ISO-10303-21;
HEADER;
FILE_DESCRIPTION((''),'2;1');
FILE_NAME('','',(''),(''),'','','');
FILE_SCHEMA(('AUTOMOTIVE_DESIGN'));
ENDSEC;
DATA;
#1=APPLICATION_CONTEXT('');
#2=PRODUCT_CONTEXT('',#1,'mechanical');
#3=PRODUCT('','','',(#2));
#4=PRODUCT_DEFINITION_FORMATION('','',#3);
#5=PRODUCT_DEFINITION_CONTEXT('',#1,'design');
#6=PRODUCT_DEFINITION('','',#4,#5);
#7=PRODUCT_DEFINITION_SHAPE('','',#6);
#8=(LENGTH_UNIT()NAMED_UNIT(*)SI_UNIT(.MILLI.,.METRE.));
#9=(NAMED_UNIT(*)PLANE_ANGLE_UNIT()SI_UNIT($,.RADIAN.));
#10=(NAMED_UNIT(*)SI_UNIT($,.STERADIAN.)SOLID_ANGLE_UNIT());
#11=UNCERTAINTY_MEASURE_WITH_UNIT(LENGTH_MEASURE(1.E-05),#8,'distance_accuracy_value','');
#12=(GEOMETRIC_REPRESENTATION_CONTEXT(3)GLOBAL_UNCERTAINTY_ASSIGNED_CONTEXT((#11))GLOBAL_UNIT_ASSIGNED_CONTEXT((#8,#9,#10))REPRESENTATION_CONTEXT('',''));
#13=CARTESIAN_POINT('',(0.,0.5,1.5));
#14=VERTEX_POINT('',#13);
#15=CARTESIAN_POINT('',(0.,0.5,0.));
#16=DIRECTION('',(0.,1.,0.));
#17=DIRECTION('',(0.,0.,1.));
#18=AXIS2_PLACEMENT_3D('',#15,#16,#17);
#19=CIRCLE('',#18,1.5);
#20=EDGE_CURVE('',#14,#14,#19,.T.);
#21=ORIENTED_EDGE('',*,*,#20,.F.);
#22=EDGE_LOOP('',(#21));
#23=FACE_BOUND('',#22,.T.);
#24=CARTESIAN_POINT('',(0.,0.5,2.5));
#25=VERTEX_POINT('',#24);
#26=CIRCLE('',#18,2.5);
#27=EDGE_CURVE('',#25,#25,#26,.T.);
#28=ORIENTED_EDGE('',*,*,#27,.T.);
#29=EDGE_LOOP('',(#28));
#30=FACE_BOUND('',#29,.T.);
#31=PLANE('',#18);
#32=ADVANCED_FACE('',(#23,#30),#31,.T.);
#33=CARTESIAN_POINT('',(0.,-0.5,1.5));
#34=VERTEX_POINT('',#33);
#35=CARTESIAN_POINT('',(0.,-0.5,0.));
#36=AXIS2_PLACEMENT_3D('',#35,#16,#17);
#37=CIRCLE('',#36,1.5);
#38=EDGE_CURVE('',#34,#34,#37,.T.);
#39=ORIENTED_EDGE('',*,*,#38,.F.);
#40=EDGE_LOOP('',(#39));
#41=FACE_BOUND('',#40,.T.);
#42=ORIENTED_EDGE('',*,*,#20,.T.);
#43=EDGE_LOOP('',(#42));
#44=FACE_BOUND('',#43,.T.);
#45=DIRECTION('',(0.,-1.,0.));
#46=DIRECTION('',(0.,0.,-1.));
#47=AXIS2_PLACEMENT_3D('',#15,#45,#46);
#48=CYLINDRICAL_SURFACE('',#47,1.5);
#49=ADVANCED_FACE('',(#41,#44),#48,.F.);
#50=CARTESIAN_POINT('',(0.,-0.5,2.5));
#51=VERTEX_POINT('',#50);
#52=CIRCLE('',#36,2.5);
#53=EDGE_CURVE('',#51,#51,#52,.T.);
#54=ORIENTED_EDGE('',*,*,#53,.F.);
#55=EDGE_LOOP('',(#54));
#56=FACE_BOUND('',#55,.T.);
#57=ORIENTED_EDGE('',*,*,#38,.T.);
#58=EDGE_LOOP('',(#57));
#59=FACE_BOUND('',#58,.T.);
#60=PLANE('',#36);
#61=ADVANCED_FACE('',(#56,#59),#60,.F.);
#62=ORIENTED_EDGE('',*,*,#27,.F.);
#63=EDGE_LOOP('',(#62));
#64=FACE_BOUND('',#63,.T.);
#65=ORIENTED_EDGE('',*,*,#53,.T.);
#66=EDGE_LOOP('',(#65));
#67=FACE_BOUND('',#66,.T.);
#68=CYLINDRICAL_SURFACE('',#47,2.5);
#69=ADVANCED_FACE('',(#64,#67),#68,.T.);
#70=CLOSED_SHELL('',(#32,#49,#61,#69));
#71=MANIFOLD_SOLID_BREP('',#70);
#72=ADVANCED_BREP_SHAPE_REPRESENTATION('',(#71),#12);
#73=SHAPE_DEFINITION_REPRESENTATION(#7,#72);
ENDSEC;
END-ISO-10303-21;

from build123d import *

# Parameters (mm, degrees)
SKETCH1_R           = 2.5
SKETCH1_R_2         = 1.5
BOSS_EXTRUDE1_DEPTH = 0.5


with BuildPart() as part:
    # Sketch1 → Boss-Extrude1 (new body, symmetric)
    with BuildSketch(Plane(origin=(0, 0, 0), x_dir=(1, 0, 0), z_dir=(0, 1, 0))):
        Circle(SKETCH1_R)
        Circle(SKETCH1_R_2, mode=Mode.SUBTRACT)
    extrude(amount=BOSS_EXTRUDE1_DEPTH, both=True)


solid = part.part
